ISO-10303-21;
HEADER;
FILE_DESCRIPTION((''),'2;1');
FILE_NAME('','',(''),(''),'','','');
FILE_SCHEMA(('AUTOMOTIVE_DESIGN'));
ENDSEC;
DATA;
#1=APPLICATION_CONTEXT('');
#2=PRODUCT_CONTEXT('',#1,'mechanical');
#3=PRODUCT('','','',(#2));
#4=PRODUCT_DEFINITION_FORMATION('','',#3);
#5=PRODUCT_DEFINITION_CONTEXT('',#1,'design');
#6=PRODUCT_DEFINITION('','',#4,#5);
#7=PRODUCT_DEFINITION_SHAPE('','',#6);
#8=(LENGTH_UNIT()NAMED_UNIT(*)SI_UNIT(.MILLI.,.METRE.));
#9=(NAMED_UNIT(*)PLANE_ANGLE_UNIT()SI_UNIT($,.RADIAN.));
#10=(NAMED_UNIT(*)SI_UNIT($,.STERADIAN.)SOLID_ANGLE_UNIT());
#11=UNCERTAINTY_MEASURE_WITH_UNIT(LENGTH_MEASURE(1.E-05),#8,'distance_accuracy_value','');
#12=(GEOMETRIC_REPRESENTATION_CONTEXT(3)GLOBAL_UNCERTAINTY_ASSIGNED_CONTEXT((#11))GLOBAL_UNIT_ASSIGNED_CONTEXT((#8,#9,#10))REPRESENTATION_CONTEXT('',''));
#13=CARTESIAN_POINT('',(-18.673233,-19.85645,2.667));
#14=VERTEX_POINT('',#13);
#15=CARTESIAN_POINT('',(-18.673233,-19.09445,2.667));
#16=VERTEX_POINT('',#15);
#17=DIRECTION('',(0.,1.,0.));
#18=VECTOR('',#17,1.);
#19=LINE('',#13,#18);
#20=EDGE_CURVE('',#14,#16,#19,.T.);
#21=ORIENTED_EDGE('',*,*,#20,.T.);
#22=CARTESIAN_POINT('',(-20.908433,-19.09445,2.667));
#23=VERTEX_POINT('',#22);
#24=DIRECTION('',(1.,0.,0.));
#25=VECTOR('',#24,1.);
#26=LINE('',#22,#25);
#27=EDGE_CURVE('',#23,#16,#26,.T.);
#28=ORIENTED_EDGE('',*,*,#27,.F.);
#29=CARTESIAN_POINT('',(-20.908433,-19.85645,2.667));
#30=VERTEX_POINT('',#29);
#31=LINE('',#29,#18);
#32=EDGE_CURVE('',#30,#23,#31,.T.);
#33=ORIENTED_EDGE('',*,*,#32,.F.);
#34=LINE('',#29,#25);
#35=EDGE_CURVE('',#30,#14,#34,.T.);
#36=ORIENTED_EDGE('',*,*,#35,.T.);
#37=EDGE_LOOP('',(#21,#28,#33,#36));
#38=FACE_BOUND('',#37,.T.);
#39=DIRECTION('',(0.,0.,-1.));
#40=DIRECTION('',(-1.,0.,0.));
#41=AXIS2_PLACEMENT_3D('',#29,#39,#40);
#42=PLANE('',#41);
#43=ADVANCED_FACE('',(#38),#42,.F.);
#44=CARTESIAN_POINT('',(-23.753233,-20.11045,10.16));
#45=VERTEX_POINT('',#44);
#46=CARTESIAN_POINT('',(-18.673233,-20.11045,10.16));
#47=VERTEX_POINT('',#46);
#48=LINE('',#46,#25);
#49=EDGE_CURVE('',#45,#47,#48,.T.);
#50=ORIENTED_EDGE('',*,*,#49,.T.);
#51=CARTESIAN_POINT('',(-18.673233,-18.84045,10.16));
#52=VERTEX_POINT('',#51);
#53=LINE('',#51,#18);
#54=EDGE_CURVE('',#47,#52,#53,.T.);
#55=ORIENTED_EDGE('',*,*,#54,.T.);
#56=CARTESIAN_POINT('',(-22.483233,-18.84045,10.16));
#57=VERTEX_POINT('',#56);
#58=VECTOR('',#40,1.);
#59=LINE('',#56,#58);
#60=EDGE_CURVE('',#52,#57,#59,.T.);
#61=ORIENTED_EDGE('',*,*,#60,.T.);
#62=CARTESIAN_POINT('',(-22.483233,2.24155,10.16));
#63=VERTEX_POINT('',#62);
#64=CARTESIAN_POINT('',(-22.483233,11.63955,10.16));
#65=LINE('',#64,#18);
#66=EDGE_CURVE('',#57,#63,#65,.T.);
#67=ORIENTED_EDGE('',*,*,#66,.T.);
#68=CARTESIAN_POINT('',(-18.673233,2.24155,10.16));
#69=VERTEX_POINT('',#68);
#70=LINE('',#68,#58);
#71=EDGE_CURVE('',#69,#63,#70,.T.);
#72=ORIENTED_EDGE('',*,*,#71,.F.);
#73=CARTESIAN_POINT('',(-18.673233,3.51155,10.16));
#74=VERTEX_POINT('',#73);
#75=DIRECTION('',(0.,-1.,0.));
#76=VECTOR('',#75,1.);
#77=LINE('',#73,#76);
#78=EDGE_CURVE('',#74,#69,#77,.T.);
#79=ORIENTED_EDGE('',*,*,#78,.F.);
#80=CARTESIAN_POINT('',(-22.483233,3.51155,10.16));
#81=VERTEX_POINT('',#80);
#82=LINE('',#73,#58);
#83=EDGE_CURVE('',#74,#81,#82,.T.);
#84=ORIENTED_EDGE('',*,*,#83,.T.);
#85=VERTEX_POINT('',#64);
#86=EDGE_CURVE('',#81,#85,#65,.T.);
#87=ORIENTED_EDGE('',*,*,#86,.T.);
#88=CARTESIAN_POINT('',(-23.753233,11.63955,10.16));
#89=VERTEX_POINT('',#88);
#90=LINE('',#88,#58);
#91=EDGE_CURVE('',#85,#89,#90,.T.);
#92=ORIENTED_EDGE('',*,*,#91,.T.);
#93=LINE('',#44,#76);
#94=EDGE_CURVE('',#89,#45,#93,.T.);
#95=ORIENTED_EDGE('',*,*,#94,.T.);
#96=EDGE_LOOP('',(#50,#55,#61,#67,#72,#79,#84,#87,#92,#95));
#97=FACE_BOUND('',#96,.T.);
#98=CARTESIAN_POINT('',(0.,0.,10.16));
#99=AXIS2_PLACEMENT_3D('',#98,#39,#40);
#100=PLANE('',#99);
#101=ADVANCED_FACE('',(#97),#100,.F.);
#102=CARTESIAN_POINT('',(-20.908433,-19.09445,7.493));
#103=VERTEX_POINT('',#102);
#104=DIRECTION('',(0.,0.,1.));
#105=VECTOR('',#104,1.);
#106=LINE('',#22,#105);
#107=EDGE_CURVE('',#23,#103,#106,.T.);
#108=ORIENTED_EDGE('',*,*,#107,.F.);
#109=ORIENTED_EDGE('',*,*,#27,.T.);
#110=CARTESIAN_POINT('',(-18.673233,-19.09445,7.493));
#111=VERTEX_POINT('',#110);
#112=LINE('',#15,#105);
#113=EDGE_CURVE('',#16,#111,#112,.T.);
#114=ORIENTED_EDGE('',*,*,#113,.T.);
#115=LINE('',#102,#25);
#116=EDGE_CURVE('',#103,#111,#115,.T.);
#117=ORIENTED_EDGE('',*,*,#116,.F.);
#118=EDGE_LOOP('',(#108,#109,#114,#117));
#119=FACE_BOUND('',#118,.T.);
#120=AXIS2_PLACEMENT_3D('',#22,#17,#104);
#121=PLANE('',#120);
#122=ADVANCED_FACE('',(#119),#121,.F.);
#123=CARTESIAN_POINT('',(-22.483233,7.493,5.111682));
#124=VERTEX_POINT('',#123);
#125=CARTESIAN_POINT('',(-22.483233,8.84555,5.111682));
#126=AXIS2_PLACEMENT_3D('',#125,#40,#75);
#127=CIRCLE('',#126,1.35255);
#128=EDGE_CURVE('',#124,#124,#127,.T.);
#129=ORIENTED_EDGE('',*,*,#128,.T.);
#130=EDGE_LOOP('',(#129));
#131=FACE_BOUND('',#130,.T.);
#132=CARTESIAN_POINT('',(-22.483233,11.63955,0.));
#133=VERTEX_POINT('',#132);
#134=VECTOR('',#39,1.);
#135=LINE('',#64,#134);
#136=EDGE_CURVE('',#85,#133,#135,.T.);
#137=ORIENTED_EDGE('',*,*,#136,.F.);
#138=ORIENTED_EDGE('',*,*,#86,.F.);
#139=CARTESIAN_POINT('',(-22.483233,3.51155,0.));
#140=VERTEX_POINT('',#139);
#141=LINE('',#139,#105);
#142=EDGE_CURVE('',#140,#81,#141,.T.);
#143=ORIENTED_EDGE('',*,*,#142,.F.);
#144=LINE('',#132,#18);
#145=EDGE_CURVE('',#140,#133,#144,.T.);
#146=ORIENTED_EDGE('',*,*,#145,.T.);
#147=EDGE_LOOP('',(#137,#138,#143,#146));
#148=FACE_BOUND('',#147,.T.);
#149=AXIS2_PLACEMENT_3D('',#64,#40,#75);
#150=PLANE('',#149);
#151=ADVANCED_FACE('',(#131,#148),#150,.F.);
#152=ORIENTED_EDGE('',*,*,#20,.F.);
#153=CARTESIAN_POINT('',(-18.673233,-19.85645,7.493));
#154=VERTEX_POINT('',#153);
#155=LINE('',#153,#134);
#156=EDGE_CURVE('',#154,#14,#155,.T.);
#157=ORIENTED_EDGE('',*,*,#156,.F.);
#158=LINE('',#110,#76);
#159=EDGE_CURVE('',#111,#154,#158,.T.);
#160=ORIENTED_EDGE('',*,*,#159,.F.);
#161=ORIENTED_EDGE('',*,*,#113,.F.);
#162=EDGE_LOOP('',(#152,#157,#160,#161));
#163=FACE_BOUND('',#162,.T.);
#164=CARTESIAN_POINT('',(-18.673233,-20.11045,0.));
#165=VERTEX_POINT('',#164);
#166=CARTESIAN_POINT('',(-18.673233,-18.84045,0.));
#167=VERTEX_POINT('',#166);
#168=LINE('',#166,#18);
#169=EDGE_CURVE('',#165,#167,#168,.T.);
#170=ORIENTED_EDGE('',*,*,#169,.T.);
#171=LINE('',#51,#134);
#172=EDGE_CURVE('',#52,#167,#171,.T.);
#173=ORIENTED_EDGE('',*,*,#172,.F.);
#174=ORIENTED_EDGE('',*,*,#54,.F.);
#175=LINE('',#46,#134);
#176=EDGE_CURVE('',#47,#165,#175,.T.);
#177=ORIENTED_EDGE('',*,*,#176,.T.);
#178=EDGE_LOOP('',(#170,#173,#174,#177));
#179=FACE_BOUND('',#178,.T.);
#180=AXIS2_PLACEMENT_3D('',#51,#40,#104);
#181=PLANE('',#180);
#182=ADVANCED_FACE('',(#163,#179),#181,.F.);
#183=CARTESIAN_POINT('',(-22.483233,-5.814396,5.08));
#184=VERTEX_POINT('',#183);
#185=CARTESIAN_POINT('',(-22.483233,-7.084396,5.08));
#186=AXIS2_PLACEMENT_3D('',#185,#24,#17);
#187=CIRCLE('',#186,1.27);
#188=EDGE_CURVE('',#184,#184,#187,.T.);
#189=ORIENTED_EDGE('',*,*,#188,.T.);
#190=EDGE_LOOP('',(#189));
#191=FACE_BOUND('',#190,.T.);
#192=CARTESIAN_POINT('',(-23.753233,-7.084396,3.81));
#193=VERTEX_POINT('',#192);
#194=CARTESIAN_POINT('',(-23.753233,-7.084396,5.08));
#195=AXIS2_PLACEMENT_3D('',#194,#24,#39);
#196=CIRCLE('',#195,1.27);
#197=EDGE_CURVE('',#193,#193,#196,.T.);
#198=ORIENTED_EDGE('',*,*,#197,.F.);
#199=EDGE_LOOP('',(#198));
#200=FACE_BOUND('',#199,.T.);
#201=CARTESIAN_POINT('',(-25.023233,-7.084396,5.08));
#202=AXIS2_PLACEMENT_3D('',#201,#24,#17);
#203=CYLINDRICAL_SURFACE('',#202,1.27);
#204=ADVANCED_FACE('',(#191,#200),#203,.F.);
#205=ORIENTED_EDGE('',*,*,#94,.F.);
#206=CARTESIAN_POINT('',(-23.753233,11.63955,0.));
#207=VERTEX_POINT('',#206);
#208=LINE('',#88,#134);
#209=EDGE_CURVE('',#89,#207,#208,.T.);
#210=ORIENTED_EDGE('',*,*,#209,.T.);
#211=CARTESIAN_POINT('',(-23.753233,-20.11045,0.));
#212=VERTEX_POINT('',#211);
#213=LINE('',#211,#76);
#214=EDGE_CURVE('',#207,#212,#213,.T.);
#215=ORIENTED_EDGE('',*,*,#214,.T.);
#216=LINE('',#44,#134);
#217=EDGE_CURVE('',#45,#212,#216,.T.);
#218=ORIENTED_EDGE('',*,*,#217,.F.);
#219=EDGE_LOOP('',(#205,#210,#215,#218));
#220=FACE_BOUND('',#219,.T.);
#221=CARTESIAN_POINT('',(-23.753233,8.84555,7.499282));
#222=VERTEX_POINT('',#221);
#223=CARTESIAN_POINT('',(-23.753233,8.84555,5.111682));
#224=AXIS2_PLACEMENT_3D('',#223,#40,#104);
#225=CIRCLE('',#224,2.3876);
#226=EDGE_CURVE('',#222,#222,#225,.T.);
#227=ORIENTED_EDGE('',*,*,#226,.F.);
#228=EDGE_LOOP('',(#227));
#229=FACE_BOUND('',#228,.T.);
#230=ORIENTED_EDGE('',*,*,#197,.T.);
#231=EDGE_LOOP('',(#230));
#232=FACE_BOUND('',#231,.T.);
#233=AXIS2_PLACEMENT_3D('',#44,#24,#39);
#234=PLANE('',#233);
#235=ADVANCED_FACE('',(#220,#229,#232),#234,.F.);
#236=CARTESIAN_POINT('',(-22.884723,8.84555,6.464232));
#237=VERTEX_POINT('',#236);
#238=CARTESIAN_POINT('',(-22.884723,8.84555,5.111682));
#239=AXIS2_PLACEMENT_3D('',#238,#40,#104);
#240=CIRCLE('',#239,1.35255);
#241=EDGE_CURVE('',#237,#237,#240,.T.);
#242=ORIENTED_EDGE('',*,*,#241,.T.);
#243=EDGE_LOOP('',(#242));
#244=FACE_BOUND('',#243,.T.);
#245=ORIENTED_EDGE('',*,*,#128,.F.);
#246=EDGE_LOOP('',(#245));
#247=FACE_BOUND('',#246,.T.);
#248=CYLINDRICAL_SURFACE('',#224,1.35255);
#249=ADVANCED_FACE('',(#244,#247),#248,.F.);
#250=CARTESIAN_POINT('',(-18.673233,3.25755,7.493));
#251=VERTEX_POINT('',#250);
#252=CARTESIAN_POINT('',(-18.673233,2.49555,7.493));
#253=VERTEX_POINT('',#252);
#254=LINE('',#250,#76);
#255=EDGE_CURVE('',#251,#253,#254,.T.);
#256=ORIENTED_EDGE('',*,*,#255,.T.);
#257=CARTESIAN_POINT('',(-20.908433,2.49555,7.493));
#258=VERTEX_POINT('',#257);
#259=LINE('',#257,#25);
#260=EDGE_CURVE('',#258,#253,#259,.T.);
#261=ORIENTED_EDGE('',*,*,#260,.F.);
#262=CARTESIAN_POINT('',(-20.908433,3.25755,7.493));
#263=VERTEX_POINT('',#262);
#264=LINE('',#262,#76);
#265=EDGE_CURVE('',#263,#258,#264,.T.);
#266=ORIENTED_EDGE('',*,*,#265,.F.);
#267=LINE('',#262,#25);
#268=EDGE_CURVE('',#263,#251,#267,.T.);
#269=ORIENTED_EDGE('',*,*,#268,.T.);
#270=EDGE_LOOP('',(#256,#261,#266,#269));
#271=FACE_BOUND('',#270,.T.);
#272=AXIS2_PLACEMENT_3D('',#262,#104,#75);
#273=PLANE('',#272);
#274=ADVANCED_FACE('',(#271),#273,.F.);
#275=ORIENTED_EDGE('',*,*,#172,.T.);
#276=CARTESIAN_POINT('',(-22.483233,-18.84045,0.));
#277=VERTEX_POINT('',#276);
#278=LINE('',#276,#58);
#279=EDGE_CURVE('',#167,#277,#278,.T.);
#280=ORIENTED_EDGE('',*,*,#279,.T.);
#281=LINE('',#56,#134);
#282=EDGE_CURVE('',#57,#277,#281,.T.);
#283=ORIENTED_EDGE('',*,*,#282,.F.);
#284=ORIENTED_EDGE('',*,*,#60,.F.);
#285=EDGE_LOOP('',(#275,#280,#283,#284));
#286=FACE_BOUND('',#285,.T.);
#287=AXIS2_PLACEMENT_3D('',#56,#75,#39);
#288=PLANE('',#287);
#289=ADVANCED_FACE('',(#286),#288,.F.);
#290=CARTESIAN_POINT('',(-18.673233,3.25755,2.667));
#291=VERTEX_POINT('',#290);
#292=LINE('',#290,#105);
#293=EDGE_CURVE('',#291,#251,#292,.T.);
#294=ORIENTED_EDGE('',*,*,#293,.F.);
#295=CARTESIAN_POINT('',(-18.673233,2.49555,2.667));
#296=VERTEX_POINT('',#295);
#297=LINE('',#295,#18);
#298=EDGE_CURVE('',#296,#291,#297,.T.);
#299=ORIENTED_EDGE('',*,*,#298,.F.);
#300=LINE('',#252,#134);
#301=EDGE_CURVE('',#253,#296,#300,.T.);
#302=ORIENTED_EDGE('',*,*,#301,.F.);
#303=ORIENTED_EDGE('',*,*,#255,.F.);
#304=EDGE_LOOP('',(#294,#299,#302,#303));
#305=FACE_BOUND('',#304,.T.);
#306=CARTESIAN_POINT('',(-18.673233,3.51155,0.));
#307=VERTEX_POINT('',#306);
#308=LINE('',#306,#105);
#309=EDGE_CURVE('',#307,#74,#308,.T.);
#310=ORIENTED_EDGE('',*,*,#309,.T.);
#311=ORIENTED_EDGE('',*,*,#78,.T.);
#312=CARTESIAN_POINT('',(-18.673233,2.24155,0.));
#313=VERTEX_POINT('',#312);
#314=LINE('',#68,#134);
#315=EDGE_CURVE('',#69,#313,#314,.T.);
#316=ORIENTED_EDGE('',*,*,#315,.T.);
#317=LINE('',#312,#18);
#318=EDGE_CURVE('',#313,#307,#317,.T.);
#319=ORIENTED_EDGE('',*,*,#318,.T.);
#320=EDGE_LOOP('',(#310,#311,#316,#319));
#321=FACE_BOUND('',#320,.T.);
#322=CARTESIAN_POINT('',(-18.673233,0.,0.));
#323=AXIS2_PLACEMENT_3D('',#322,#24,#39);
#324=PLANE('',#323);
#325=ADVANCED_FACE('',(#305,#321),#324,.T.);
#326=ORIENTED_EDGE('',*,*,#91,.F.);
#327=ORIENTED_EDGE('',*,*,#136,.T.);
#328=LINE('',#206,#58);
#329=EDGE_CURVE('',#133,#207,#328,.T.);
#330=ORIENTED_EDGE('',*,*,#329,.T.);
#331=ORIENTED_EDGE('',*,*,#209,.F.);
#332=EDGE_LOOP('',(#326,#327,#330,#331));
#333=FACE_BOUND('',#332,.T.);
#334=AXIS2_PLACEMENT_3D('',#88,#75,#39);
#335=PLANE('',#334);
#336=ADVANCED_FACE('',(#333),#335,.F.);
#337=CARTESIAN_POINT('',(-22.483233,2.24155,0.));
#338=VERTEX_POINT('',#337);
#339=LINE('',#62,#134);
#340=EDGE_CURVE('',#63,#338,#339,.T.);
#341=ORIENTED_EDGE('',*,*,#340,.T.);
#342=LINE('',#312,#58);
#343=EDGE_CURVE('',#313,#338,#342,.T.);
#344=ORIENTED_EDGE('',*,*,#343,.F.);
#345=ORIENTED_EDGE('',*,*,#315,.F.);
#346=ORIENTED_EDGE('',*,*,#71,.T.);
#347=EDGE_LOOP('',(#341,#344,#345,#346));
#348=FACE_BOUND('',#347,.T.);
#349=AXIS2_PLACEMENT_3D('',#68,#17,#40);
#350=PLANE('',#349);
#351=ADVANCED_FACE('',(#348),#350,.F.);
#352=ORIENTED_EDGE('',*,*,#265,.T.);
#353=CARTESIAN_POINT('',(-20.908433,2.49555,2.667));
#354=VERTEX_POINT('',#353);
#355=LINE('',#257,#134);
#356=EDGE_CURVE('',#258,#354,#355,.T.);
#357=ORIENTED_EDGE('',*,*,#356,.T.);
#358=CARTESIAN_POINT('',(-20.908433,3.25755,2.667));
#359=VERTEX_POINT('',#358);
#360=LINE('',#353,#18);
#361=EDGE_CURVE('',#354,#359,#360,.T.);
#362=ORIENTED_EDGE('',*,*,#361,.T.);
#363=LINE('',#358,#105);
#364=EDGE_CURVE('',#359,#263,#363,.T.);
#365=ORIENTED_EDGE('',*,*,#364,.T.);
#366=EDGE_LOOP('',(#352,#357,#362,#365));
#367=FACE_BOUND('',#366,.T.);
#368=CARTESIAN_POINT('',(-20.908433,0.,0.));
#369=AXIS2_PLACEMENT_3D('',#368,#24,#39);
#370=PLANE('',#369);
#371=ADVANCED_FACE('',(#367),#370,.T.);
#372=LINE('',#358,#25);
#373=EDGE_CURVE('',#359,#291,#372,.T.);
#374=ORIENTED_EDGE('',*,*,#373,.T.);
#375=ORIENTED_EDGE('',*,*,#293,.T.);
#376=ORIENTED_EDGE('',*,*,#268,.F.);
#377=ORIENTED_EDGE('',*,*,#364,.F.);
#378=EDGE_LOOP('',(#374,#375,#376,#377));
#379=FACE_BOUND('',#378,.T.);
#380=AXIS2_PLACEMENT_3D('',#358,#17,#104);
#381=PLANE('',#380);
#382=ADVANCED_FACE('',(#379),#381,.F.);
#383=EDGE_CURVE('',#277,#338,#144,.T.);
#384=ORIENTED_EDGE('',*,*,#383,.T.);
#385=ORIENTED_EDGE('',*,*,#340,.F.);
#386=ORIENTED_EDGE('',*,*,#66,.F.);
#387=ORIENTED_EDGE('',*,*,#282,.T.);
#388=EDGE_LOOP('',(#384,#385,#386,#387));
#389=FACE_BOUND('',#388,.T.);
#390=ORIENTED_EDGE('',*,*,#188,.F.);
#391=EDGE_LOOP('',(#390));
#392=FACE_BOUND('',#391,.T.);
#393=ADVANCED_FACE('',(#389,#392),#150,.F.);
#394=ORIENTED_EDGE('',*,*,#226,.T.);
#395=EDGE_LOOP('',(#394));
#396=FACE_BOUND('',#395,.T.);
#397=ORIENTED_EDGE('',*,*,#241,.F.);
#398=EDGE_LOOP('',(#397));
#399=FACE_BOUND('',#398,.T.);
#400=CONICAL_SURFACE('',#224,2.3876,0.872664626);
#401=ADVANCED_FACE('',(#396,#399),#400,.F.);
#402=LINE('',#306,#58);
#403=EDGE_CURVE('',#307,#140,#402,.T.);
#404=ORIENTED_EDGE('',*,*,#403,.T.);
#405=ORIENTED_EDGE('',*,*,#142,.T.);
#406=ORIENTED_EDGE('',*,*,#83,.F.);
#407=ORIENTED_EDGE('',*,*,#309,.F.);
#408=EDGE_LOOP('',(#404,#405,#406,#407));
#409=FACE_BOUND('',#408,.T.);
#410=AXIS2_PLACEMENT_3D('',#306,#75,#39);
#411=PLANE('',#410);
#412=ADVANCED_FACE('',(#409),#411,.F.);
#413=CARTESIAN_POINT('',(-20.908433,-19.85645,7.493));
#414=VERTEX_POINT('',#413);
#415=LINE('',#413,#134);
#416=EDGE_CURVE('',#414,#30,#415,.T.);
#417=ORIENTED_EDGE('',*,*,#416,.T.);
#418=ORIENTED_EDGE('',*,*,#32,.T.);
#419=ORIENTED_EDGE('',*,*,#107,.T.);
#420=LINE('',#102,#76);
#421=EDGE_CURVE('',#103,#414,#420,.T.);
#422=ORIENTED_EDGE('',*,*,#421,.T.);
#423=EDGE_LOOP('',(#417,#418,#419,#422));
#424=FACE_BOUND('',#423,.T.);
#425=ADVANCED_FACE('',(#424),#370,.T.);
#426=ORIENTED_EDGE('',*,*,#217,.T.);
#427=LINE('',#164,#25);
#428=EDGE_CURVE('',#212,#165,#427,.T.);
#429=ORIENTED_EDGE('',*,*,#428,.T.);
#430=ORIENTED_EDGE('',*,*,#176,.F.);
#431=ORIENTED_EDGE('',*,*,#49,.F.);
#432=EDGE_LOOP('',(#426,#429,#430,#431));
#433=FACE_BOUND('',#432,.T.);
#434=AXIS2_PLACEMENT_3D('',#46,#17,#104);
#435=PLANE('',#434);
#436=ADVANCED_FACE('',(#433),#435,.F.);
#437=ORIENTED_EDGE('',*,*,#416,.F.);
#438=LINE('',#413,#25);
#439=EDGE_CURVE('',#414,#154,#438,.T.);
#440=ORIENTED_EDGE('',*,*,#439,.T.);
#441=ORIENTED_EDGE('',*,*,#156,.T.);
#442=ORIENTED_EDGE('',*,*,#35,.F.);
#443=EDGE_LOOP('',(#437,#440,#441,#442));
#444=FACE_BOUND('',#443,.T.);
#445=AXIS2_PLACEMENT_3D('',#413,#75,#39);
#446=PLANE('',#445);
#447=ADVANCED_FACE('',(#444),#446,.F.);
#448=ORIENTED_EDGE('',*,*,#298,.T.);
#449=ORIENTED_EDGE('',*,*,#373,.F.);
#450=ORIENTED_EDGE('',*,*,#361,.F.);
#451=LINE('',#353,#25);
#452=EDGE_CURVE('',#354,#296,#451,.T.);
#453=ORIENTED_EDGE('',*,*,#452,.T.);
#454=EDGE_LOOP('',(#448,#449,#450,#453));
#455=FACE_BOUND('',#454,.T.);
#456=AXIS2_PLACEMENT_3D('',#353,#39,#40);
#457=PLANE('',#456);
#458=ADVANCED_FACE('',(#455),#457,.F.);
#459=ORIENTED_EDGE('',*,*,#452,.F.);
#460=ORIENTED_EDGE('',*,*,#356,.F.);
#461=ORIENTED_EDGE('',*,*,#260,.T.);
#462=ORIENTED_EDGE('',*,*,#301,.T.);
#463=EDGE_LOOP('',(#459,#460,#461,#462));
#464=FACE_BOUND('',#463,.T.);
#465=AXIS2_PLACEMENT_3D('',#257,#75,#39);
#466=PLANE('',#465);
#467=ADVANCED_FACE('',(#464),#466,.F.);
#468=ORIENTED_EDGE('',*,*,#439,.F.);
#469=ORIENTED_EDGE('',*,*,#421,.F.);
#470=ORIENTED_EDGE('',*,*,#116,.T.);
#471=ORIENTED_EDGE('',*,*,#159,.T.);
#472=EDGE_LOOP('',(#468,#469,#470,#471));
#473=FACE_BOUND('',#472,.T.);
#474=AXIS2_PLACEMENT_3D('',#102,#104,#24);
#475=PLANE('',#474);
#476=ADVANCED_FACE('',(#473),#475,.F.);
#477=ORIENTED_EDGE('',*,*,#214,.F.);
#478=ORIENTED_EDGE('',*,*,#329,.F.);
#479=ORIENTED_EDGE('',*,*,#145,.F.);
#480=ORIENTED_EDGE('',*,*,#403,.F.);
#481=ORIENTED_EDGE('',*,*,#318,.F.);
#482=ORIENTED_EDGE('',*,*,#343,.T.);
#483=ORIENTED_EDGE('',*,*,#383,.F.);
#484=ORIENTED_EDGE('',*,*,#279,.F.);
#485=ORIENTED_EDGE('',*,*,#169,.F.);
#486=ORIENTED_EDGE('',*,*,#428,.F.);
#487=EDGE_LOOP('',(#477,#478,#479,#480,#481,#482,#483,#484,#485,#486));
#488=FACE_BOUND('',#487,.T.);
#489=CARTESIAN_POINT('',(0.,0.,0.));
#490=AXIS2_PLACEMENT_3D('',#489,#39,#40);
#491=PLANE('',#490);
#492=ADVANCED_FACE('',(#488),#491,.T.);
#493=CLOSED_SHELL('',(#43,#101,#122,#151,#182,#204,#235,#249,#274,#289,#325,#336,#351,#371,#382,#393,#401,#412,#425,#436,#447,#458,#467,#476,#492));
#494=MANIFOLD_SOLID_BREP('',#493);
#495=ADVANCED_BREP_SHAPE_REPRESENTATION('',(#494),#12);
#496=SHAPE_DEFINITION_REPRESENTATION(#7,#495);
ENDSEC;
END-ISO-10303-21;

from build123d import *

# Parameters (mm, degrees)
BOSS_EXTRUDE1_DEPTH             = 10.16
SKETCH6_W                       = 10.16
SKETCH6_H                       = 1.27
BOSS_EXTRUDE3_DEPTH             = 3.81
SKETCH8_W                       = 4.826
SKETCH8_H                       = 0.762
CUT_EXTRUDE1_DEPTH              = 2.2352
SKETCH5_W                       = 4.826
SKETCH5_H                       = 0.762
CUT_EXTRUDE2_DEPTH              = 2.2352
SKETCH17_R                      = 1.27
CUT_EXTRUDE3_DEPTH              = 2.54
F_6_32_TAPPED_HOLE1_D           = 2.7051
F_6_32_TAPPED_HOLE1_DEPTH       = 9.398
F_6_32_TAPPED_HOLE1_CSINK_D     = 4.7752
F_6_32_TAPPED_HOLE1_CSINK_ANGLE = 100
F_6_32_TAPPED_HOLE1_TIP         = 0.81269403


with BuildPart() as part:
    # Sketch1 → Boss-Extrude1 (new body)
    with BuildSketch(Plane.XY):
        Polygon((-22.483233333, 11.63955), (-22.483233333, -18.84045), (-18.673233333, -18.84045), (-18.673233333, -20.11045), (-23.753233333, -20.11045), (-23.753233333, 11.63955), align=None)
    extrude(amount=BOSS_EXTRUDE1_DEPTH)

    # Sketch6 → Boss-Extrude3 (add)
    with BuildSketch(Plane(origin=(-22.483233333, 0, 0), x_dir=(0, 0, -1), z_dir=(1, 0, 0))):
        with Locations((-5.08, 2.87655)):
            Rectangle(SKETCH6_W, SKETCH6_H)
    extrude(amount=BOSS_EXTRUDE3_DEPTH)

    # Sketch8 → Cut-Extrude1 (cut)
    with BuildSketch(Plane(origin=(-18.673233333, 0, 0), x_dir=(0, 0, -1), z_dir=(1, 0, 0))):
        with Locations((-5.08, 2.87655)):
            Rectangle(SKETCH8_W, SKETCH8_H)
    extrude(amount=-CUT_EXTRUDE1_DEPTH, mode=Mode.SUBTRACT)

    # Sketch5 → Cut-Extrude2 (cut)
    with BuildSketch(Plane(origin=(-18.673233333, 0, 0), x_dir=(0, 0, -1), z_dir=(1, 0, 0))):
        with Locations((-5.08, -19.47545)):
            Rectangle(SKETCH5_W, SKETCH5_H)
    extrude(amount=-CUT_EXTRUDE2_DEPTH, mode=Mode.SUBTRACT)

    # Sketch17 → Cut-Extrude3 (cut)
    with BuildSketch(Plane(origin=(-22.483233333, 0, 0), x_dir=(0, 0, -1), z_dir=(1, 0, 0))):
        with Locations((-5.08, -7.084396388)):
            Circle(SKETCH17_R)
    extrude(amount=-CUT_EXTRUDE3_DEPTH, mode=Mode.SUBTRACT)

    # #6-32 Tapped Hole1
    with Locations(Plane.ZY.offset(23.753233333)):
        with Locations((5.111682079, 8.84555)):
            CounterSinkHole(F_6_32_TAPPED_HOLE1_D / 2, F_6_32_TAPPED_HOLE1_CSINK_D / 2, depth=F_6_32_TAPPED_HOLE1_DEPTH, counter_sink_angle=F_6_32_TAPPED_HOLE1_CSINK_ANGLE)
            with Locations((0, 0, -(F_6_32_TAPPED_HOLE1_DEPTH + F_6_32_TAPPED_HOLE1_TIP / 2))):  # 118° drill point
                Cone(0, F_6_32_TAPPED_HOLE1_D / 2, F_6_32_TAPPED_HOLE1_TIP, mode=Mode.SUBTRACT)


solid = part.part
